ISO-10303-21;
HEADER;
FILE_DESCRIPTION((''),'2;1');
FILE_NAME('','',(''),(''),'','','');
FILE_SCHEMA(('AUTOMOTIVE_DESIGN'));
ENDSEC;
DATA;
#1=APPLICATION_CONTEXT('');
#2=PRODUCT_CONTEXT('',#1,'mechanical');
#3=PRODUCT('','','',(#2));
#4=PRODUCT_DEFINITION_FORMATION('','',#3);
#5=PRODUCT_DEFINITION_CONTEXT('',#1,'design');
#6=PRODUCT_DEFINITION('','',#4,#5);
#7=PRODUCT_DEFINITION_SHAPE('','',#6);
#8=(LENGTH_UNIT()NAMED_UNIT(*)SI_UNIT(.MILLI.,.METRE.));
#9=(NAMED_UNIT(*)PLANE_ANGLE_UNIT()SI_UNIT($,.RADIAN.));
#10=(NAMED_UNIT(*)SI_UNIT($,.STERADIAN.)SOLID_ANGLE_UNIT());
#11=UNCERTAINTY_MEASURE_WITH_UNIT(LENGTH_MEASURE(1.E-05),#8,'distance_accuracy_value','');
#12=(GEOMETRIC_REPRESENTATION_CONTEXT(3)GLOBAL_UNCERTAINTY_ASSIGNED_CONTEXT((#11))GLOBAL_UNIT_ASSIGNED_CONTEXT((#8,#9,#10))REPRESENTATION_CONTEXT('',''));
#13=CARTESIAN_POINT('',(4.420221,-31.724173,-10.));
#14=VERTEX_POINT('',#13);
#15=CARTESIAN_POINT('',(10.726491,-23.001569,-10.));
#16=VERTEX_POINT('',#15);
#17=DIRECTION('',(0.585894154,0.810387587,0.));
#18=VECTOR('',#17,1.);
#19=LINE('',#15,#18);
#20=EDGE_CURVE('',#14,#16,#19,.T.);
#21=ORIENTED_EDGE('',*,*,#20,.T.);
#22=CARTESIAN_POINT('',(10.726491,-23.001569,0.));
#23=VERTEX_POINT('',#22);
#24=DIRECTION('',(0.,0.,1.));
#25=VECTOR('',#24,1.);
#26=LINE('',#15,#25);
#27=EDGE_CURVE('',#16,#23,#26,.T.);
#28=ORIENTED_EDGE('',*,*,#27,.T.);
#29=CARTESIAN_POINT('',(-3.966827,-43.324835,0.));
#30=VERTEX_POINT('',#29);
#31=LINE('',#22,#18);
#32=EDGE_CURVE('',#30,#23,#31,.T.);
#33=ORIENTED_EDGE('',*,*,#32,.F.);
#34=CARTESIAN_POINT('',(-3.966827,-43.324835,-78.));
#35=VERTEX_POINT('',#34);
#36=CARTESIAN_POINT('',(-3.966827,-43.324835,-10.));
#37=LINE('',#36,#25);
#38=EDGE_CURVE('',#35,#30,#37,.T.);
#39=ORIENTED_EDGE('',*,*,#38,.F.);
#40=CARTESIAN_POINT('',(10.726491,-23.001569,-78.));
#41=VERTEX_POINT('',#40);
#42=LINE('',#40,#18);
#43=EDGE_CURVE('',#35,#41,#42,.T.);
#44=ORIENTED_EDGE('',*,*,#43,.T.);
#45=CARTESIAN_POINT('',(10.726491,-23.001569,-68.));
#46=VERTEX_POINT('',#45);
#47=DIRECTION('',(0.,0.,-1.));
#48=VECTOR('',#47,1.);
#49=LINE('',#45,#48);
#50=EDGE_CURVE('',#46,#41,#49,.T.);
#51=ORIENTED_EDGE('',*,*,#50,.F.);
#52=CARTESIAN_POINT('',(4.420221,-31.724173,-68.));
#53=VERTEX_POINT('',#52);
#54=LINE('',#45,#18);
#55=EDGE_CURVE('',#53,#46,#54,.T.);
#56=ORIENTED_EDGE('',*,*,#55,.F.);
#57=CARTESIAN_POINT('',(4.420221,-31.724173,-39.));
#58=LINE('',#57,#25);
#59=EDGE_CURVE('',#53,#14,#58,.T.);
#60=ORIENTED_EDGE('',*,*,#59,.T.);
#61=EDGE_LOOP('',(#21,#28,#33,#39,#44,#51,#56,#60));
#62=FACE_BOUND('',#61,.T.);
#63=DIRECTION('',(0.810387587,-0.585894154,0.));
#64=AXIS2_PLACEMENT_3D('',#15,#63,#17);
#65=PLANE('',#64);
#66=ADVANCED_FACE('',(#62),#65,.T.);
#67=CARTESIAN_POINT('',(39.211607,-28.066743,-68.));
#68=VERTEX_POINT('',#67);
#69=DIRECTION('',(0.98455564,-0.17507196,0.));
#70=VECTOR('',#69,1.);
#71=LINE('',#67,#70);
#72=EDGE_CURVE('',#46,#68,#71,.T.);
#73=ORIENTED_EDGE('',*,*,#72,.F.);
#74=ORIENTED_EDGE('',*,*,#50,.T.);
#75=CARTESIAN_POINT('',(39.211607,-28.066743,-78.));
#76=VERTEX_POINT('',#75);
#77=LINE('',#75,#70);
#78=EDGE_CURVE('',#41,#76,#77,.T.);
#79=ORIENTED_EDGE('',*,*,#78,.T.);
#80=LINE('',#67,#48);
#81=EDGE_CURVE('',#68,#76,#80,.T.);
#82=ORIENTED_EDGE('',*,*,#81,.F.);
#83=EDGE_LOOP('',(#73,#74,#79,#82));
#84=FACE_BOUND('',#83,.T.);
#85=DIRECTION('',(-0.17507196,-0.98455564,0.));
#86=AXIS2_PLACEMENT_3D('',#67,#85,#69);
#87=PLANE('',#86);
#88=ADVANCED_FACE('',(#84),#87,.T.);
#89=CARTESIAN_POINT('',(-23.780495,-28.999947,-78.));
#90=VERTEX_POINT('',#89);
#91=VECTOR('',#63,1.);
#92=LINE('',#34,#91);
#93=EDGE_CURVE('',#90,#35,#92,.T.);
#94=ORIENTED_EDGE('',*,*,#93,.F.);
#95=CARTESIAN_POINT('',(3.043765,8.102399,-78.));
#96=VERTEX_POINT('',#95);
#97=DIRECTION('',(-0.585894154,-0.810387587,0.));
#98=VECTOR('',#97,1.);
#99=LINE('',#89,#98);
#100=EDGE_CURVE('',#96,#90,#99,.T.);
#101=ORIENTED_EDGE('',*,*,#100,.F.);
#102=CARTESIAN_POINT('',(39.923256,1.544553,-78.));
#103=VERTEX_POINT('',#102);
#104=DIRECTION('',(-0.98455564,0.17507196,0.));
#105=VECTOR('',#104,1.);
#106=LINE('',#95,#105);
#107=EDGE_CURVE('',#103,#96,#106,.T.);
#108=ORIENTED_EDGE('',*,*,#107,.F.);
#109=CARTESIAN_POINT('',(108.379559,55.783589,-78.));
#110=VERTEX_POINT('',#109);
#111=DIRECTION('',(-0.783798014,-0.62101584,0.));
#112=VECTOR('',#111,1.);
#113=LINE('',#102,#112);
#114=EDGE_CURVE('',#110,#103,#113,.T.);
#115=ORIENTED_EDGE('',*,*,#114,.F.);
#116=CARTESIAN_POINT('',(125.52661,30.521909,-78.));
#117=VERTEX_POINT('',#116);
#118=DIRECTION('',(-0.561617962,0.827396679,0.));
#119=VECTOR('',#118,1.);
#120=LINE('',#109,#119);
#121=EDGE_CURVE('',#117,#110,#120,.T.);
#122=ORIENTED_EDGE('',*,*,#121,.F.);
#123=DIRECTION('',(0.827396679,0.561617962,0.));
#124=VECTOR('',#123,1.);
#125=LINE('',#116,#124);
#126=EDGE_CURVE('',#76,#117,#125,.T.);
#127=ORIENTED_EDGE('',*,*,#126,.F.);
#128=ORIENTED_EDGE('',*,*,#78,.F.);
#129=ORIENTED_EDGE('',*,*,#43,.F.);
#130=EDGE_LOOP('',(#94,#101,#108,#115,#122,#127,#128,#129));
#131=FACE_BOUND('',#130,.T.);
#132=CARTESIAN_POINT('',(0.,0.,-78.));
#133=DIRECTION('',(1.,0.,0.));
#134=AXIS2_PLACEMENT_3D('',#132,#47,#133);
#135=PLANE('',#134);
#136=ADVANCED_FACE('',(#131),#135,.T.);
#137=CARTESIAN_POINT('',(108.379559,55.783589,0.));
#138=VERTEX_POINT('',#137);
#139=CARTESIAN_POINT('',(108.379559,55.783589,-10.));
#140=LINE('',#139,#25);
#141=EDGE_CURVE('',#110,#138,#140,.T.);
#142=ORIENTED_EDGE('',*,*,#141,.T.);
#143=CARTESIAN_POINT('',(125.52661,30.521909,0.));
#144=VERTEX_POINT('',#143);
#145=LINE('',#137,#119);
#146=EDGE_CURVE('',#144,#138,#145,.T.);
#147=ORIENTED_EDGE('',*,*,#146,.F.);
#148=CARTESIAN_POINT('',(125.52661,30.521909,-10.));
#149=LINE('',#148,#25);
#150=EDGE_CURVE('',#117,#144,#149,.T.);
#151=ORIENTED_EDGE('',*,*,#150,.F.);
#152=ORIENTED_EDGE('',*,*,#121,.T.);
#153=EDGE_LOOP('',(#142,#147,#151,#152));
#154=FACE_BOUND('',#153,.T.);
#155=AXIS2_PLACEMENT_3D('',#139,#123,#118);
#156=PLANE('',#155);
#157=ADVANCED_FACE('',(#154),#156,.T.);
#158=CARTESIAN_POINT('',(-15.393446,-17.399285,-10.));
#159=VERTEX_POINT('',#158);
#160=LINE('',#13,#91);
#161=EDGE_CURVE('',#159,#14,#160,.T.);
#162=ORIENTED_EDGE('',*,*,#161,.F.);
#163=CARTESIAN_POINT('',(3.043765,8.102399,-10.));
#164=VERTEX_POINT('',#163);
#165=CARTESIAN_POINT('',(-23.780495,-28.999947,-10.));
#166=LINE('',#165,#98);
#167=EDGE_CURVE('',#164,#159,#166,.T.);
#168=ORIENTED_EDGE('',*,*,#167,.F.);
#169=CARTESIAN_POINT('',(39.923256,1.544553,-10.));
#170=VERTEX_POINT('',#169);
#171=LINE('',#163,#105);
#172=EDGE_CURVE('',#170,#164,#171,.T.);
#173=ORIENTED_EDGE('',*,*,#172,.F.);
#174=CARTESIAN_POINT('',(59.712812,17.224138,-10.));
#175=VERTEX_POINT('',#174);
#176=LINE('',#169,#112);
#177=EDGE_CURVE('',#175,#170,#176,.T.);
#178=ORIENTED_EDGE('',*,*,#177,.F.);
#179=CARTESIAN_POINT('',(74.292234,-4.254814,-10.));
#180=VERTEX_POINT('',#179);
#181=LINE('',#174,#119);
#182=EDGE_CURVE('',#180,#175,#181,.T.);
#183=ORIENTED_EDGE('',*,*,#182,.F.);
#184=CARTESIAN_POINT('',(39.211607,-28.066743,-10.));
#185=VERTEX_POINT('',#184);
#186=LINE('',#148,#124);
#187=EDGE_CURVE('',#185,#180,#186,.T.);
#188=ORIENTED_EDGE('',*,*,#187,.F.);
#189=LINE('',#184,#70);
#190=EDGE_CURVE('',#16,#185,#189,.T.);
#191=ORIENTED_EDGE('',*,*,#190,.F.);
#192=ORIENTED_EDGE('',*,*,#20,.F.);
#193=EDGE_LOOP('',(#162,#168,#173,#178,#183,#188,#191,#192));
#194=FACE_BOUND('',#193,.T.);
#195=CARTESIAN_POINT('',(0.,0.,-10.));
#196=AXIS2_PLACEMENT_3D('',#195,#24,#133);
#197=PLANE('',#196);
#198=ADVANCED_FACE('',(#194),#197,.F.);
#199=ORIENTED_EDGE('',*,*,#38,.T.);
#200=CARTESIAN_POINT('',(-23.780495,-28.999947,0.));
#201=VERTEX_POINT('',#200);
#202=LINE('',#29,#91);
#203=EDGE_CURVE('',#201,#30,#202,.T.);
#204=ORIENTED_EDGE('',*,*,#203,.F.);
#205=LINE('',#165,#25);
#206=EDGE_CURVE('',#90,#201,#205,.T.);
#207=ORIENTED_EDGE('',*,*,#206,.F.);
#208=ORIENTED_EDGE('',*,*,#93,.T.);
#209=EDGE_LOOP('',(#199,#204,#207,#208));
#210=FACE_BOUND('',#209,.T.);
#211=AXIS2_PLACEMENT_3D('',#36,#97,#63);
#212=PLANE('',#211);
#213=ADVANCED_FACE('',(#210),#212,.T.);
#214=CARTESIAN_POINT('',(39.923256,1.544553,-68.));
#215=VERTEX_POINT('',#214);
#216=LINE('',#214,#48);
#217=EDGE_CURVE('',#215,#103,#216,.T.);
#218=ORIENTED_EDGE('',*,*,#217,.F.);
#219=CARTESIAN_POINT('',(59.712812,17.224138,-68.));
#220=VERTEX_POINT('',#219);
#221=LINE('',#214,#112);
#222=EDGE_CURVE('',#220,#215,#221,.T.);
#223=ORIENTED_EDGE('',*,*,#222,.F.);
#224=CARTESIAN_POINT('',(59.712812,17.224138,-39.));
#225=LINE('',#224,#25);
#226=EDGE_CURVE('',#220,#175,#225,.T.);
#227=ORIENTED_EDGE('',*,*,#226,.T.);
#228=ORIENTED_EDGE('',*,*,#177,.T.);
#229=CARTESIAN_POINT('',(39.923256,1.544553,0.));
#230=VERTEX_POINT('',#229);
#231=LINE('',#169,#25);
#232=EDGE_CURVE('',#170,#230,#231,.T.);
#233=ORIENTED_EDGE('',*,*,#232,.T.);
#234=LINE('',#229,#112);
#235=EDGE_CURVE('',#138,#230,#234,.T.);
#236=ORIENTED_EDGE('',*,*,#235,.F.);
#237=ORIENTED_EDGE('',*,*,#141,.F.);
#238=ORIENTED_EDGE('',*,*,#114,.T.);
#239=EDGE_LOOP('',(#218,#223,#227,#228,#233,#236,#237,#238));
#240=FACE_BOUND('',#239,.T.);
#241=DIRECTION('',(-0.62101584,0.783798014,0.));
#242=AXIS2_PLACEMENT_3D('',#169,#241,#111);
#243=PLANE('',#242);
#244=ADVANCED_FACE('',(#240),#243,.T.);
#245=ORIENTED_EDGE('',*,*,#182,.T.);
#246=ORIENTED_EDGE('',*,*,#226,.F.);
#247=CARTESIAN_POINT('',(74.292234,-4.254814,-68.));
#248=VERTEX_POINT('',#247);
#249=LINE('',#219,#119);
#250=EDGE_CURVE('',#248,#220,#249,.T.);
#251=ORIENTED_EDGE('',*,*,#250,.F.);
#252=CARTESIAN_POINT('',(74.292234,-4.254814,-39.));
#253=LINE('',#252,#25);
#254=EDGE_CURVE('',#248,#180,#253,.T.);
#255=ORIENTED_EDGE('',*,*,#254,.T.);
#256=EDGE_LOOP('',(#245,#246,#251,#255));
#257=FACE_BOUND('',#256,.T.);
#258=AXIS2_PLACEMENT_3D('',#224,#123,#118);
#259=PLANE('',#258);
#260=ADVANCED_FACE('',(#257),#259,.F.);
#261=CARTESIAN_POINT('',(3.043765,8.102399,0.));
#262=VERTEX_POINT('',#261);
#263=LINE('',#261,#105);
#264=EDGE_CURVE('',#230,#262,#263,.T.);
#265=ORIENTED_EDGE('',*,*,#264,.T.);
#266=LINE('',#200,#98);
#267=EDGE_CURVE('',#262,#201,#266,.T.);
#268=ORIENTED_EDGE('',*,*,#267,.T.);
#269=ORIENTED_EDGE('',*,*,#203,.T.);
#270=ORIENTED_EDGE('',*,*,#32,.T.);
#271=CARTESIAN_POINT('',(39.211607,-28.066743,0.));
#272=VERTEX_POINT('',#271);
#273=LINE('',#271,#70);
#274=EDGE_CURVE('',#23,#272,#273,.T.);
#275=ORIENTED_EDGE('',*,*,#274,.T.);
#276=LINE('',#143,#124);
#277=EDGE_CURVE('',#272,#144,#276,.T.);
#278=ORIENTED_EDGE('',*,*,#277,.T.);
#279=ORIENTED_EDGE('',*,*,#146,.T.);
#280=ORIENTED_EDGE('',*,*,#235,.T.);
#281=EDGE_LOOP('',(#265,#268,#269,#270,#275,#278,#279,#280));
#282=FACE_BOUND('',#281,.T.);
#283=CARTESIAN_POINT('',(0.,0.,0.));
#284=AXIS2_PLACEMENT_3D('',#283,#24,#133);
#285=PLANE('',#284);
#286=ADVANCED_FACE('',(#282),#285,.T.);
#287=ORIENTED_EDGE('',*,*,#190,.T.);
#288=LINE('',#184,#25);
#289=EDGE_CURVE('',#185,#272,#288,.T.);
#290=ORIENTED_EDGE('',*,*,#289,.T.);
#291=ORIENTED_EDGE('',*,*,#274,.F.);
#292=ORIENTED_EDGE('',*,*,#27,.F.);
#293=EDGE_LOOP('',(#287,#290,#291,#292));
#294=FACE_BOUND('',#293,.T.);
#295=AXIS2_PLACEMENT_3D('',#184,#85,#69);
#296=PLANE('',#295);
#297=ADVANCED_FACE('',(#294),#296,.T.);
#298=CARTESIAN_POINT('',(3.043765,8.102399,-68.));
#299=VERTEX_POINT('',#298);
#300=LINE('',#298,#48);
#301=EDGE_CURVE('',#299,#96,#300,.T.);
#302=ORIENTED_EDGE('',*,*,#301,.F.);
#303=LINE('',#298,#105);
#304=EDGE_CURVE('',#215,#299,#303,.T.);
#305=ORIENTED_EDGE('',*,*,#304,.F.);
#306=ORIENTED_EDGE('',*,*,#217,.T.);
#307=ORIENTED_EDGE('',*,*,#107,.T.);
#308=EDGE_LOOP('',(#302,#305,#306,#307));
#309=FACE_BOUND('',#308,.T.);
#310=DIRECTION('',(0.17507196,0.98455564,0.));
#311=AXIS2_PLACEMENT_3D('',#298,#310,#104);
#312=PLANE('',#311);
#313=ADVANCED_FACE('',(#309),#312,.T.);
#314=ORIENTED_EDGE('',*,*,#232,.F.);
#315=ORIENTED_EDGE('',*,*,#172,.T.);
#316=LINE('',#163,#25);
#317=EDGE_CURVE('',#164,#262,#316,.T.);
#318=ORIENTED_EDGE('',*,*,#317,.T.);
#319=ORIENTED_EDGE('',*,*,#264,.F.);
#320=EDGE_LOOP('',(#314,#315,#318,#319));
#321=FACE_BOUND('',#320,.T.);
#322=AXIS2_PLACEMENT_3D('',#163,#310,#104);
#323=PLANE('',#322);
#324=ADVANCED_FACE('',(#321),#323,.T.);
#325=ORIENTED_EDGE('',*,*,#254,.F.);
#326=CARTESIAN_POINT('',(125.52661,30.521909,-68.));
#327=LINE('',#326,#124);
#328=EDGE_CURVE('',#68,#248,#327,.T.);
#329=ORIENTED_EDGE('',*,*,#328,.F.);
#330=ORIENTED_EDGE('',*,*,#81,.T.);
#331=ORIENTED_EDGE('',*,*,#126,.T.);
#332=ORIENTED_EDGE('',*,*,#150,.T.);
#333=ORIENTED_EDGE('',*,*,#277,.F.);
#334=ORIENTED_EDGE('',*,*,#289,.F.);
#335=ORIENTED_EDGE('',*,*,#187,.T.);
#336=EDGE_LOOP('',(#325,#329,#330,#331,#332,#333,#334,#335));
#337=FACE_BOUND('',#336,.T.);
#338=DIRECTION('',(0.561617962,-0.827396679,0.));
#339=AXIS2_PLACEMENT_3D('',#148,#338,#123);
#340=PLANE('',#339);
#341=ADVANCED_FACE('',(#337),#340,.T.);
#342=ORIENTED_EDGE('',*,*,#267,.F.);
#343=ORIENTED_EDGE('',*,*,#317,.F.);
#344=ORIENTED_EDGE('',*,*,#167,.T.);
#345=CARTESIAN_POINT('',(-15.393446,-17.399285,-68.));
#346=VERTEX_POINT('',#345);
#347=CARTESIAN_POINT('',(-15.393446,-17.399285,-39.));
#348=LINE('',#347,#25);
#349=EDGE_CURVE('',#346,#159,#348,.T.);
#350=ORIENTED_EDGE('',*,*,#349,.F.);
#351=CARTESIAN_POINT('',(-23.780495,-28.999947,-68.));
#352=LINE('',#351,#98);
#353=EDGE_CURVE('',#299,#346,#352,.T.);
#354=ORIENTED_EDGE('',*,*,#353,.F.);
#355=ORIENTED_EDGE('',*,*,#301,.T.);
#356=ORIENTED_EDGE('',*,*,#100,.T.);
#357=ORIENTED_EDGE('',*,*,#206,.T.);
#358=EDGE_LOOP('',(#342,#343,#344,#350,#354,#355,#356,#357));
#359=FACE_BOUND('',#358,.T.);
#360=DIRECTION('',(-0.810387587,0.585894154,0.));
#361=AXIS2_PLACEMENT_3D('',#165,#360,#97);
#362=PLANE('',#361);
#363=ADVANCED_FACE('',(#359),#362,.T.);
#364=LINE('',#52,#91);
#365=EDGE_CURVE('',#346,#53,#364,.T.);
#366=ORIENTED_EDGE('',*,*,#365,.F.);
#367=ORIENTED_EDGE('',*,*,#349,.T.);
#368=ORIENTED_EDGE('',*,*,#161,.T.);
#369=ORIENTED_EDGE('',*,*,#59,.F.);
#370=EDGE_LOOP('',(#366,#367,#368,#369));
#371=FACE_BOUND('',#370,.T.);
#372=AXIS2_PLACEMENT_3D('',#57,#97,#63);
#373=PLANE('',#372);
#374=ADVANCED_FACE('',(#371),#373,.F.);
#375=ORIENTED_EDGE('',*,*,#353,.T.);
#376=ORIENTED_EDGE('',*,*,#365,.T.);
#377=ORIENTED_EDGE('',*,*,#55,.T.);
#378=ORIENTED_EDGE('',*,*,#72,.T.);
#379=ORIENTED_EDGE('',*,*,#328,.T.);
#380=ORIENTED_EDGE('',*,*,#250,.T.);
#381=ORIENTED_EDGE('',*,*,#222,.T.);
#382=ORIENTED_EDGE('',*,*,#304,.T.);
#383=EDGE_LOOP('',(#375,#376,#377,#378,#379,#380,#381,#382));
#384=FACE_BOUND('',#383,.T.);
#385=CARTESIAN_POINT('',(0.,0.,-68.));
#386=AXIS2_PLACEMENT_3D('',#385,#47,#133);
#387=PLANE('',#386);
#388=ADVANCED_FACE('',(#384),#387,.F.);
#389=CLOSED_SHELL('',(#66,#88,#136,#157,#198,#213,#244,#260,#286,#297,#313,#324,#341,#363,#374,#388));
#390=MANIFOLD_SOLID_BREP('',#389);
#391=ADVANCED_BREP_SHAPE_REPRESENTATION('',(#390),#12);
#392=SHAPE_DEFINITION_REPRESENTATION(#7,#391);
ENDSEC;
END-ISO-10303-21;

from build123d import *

# Parameters (mm, degrees)
BOSS_EXTRUDE1_DEPTH = 10
BOSS_EXTRUDE2_DEPTH = 29


with BuildPart() as part:
    # Sketch1 → Boss-Extrude1 (new body)
    with BuildSketch(Plane.XY):
        Polygon((3.043765375, 8.102399012), (39.923255905, 1.544552589), (108.379559315, 55.783588702), (125.526610048, 30.521909453), (39.211607002, -28.066742617), (10.726491113, -23.001569193), (-3.966827285, -43.324835363), (-23.780494778, -28.999946703), align=None)
    boss_extrude1 = extrude(amount=-BOSS_EXTRUDE1_DEPTH)

    # Sketch2 → Boss-Extrude2 (add)
    with BuildSketch(Plane(origin=(0, 0, -10), x_dir=(-1, 0, 0), z_dir=(0, 0, -1))):
        Polygon((-59.712812316, 17.224138126), (-74.292234429, -4.25481419), (-125.526610048, 30.521909453), (-108.379559315, 55.783588702), align=None)
        Polygon((23.780494778, -28.999946703), (3.966827285, -43.324835363), (-4.420221287, -31.724173356), (15.393446206, -17.399284696), align=None)
    boss_extrude2 = extrude(amount=BOSS_EXTRUDE2_DEPTH)

    # Mirror1: Boss-Extrude1, Boss-Extrude2 across plane
    add(boss_extrude1.mirror(Plane.XY.offset(-39)))
    add(boss_extrude2.mirror(Plane.XY.offset(-39)))


solid = part.part
